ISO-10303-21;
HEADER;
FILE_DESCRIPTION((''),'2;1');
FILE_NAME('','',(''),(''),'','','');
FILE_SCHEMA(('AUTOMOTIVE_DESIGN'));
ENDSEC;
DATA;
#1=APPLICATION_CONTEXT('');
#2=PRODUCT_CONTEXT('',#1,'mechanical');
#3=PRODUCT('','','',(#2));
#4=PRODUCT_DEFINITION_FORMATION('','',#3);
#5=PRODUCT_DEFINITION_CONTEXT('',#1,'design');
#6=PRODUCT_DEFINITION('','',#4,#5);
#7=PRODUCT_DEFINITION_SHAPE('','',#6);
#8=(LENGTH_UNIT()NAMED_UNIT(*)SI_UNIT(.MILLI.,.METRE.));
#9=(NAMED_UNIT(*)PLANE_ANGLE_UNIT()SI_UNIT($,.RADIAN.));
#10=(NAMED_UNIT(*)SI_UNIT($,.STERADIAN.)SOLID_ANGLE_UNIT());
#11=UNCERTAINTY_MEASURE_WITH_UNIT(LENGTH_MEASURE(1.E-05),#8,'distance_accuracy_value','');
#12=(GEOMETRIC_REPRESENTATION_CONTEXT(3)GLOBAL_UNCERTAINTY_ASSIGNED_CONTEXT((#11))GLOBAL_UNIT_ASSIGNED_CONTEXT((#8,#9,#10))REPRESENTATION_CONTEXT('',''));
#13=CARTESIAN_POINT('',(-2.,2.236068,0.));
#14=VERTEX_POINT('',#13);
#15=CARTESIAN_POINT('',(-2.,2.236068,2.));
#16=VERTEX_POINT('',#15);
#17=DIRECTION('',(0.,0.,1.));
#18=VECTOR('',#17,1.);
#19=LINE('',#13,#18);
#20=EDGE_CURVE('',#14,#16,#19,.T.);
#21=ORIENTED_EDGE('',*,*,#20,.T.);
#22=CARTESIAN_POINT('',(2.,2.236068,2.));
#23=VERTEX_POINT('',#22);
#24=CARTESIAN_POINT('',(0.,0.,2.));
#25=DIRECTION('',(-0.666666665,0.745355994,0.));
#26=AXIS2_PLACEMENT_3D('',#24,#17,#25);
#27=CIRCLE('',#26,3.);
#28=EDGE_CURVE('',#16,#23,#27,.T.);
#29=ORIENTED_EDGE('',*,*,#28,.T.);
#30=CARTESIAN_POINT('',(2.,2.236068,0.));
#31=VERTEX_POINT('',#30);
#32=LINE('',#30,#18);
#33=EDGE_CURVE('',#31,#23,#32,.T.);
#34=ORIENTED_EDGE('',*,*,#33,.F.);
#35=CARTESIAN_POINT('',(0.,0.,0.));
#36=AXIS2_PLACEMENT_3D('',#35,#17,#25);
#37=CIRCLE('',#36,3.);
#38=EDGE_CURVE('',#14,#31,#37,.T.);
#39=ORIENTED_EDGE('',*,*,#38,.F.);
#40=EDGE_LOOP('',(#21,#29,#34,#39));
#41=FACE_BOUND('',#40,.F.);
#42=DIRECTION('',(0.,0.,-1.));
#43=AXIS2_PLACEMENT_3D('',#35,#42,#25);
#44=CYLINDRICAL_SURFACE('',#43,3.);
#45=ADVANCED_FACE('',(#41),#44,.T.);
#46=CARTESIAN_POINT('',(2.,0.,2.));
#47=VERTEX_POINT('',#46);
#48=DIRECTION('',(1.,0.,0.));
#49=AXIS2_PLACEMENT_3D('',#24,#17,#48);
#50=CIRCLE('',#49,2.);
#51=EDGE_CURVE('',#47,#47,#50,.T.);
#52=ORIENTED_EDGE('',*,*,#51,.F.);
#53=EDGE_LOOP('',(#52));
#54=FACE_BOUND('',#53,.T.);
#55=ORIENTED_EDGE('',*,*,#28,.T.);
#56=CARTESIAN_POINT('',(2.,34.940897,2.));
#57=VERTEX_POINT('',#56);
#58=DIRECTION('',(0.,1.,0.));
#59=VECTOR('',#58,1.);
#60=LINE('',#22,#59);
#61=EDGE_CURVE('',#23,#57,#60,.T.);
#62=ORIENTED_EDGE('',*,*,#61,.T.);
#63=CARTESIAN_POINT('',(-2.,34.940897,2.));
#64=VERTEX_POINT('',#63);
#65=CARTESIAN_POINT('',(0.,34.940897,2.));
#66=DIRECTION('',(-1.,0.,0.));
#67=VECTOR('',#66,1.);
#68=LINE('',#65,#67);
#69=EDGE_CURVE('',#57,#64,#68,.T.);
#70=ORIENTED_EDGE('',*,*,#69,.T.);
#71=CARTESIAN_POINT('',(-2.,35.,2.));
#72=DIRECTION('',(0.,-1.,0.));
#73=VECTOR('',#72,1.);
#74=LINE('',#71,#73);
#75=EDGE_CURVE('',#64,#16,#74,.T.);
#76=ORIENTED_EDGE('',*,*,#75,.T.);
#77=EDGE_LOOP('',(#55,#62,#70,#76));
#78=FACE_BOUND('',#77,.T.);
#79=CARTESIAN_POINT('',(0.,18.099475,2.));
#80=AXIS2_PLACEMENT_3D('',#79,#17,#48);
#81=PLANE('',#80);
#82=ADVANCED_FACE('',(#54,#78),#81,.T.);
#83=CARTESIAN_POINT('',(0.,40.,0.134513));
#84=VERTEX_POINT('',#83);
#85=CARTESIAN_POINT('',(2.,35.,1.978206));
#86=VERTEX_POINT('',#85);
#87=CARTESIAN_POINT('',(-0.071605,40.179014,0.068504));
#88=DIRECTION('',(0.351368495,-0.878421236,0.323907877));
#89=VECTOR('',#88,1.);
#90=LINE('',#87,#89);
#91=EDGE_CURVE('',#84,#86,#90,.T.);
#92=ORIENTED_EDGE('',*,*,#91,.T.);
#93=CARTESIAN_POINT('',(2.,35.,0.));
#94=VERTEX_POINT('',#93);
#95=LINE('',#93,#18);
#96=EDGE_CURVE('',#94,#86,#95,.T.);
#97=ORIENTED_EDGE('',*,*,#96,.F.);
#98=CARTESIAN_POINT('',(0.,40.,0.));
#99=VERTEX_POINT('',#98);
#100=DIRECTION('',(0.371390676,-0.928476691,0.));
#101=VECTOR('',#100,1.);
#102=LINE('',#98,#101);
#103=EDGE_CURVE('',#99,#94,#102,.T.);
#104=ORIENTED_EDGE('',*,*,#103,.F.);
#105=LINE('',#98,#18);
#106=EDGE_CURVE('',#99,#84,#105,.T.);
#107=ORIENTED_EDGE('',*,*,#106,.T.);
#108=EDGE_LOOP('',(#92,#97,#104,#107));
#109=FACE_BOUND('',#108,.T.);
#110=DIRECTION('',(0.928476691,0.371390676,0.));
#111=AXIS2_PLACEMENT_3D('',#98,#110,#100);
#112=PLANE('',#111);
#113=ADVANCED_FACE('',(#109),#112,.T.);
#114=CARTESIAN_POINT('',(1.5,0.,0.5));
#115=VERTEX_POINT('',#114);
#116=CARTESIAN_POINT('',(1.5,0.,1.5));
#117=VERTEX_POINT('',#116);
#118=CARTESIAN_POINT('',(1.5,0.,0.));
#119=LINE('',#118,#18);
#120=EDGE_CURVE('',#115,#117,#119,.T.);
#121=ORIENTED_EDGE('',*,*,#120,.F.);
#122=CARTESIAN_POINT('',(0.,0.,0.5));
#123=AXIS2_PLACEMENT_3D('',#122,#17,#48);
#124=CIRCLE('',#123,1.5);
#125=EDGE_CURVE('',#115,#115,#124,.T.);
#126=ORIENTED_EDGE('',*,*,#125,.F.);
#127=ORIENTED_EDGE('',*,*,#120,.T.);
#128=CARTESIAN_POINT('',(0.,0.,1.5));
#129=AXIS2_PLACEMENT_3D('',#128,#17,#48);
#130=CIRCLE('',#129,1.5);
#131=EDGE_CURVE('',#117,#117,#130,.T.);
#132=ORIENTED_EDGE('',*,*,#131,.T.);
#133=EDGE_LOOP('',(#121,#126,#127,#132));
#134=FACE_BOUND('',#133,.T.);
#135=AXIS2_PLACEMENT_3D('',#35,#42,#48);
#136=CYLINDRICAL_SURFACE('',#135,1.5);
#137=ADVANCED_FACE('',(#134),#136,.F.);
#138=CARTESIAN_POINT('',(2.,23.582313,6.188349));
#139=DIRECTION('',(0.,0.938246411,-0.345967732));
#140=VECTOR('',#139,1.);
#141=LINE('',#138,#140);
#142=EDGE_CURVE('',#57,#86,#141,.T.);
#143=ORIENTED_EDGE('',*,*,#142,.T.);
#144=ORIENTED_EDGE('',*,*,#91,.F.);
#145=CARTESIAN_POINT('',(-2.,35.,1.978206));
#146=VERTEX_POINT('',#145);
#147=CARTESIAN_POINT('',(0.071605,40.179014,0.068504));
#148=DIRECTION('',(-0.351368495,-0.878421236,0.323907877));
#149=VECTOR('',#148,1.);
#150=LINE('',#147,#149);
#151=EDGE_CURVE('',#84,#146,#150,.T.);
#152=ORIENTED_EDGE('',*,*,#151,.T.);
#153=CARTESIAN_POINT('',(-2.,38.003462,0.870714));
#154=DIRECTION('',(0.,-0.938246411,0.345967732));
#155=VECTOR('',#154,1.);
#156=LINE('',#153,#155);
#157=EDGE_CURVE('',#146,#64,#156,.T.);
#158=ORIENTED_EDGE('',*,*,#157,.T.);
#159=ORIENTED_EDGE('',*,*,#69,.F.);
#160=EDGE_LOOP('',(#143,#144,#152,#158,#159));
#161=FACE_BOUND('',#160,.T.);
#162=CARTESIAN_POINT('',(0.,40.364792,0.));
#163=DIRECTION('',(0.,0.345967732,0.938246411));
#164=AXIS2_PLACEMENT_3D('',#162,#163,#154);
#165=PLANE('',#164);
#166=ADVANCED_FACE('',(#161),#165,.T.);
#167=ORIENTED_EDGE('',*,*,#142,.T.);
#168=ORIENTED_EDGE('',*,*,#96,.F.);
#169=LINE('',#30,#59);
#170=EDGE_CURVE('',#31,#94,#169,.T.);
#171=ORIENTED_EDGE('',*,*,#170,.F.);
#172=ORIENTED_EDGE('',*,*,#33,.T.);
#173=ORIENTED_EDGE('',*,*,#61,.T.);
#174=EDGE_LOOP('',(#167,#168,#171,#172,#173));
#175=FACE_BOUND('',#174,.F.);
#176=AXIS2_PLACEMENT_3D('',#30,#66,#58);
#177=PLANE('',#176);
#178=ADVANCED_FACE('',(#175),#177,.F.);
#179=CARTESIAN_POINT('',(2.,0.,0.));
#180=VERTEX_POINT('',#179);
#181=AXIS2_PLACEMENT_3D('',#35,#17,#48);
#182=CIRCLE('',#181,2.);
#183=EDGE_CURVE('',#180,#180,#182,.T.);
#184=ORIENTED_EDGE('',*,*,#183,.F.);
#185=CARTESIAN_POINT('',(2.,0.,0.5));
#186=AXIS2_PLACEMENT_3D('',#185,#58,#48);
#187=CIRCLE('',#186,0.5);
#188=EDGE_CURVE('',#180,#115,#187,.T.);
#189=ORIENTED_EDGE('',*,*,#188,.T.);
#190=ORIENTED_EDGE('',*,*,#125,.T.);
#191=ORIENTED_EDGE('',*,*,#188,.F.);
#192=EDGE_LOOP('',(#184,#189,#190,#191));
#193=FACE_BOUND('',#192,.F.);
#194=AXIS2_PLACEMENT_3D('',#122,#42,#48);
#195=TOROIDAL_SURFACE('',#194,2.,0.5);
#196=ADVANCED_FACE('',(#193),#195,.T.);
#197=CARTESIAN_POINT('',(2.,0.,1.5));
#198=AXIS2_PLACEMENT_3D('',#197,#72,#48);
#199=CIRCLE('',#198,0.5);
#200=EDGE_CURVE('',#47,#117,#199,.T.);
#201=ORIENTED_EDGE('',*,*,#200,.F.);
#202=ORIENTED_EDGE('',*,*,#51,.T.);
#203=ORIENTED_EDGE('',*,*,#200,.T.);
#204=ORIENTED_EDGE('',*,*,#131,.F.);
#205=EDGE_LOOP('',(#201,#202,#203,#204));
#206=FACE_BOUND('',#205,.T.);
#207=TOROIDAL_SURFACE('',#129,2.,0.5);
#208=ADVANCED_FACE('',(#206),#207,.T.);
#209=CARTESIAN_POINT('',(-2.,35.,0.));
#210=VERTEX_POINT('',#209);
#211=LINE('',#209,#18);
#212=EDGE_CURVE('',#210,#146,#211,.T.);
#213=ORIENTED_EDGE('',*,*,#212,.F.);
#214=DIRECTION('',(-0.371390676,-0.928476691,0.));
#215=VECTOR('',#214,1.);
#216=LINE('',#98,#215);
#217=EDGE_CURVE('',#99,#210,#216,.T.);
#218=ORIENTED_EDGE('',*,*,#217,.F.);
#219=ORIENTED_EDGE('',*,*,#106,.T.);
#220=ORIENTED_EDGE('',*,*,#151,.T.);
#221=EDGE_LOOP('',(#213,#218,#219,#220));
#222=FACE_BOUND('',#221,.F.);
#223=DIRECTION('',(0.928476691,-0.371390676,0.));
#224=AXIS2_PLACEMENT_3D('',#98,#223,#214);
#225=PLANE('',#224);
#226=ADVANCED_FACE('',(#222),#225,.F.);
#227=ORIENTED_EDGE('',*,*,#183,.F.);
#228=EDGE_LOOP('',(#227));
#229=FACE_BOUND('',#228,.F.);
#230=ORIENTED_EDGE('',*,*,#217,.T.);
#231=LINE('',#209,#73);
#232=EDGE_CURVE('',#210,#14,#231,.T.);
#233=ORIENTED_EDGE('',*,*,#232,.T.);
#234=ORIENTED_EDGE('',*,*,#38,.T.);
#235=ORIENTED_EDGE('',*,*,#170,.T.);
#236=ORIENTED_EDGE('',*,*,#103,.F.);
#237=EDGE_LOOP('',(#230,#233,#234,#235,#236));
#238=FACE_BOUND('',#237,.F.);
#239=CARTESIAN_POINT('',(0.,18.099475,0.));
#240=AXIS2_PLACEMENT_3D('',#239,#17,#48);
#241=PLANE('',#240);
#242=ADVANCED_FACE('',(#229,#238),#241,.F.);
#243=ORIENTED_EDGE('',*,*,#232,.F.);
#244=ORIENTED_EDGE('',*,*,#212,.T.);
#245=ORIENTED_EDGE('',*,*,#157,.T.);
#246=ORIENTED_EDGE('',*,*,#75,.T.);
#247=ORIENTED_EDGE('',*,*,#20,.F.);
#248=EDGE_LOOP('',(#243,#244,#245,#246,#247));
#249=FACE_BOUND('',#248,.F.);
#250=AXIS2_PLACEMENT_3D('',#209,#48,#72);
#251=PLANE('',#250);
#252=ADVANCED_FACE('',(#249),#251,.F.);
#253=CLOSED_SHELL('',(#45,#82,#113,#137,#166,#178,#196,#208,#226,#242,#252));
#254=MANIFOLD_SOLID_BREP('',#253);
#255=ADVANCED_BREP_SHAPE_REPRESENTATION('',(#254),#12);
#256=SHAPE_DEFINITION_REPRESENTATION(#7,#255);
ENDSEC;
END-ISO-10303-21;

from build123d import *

# Parameters (mm, degrees)
SKETCH_R     = 1.5
PAD_DEPTH    = 2
POCKET_DEPTH = 2.5
FILLET_R     = 0.5


with BuildPart() as part:
    # Sketch → Pad (new body)
    with BuildSketch(Plane.XY):
        with BuildLine():
            ThreePointArc((-2, 2.236068), (0, -3), (2, 2.236068))
            Line((2, 2.236068), (2, 35))
            Line((0, 40), (2, 35))
            Line((0, 40), (-2, 35))
            Line((-2, 35), (-2, 2.236068))
        make_face()
        Circle(SKETCH_R, mode=Mode.SUBTRACT)
    extrude(amount=PAD_DEPTH)

    # Sketch001 → Pocket (cut, symmetric)
    with BuildSketch(Plane.YZ):
        Polygon((40.364792, 0), (32.17564, 3.019657), (42.446777, 4.153183), align=None)
    extrude(amount=POCKET_DEPTH, both=True, mode=Mode.SUBTRACT)

    # Fillet
    fillet_edges = [part.edges().sort_by_distance(p)[0] for p in [
        (-1.5, 0, 2),
        (-1.5, 0, 0),
    ]]
    fillet(fillet_edges, radius=FILLET_R)


solid = part.part
